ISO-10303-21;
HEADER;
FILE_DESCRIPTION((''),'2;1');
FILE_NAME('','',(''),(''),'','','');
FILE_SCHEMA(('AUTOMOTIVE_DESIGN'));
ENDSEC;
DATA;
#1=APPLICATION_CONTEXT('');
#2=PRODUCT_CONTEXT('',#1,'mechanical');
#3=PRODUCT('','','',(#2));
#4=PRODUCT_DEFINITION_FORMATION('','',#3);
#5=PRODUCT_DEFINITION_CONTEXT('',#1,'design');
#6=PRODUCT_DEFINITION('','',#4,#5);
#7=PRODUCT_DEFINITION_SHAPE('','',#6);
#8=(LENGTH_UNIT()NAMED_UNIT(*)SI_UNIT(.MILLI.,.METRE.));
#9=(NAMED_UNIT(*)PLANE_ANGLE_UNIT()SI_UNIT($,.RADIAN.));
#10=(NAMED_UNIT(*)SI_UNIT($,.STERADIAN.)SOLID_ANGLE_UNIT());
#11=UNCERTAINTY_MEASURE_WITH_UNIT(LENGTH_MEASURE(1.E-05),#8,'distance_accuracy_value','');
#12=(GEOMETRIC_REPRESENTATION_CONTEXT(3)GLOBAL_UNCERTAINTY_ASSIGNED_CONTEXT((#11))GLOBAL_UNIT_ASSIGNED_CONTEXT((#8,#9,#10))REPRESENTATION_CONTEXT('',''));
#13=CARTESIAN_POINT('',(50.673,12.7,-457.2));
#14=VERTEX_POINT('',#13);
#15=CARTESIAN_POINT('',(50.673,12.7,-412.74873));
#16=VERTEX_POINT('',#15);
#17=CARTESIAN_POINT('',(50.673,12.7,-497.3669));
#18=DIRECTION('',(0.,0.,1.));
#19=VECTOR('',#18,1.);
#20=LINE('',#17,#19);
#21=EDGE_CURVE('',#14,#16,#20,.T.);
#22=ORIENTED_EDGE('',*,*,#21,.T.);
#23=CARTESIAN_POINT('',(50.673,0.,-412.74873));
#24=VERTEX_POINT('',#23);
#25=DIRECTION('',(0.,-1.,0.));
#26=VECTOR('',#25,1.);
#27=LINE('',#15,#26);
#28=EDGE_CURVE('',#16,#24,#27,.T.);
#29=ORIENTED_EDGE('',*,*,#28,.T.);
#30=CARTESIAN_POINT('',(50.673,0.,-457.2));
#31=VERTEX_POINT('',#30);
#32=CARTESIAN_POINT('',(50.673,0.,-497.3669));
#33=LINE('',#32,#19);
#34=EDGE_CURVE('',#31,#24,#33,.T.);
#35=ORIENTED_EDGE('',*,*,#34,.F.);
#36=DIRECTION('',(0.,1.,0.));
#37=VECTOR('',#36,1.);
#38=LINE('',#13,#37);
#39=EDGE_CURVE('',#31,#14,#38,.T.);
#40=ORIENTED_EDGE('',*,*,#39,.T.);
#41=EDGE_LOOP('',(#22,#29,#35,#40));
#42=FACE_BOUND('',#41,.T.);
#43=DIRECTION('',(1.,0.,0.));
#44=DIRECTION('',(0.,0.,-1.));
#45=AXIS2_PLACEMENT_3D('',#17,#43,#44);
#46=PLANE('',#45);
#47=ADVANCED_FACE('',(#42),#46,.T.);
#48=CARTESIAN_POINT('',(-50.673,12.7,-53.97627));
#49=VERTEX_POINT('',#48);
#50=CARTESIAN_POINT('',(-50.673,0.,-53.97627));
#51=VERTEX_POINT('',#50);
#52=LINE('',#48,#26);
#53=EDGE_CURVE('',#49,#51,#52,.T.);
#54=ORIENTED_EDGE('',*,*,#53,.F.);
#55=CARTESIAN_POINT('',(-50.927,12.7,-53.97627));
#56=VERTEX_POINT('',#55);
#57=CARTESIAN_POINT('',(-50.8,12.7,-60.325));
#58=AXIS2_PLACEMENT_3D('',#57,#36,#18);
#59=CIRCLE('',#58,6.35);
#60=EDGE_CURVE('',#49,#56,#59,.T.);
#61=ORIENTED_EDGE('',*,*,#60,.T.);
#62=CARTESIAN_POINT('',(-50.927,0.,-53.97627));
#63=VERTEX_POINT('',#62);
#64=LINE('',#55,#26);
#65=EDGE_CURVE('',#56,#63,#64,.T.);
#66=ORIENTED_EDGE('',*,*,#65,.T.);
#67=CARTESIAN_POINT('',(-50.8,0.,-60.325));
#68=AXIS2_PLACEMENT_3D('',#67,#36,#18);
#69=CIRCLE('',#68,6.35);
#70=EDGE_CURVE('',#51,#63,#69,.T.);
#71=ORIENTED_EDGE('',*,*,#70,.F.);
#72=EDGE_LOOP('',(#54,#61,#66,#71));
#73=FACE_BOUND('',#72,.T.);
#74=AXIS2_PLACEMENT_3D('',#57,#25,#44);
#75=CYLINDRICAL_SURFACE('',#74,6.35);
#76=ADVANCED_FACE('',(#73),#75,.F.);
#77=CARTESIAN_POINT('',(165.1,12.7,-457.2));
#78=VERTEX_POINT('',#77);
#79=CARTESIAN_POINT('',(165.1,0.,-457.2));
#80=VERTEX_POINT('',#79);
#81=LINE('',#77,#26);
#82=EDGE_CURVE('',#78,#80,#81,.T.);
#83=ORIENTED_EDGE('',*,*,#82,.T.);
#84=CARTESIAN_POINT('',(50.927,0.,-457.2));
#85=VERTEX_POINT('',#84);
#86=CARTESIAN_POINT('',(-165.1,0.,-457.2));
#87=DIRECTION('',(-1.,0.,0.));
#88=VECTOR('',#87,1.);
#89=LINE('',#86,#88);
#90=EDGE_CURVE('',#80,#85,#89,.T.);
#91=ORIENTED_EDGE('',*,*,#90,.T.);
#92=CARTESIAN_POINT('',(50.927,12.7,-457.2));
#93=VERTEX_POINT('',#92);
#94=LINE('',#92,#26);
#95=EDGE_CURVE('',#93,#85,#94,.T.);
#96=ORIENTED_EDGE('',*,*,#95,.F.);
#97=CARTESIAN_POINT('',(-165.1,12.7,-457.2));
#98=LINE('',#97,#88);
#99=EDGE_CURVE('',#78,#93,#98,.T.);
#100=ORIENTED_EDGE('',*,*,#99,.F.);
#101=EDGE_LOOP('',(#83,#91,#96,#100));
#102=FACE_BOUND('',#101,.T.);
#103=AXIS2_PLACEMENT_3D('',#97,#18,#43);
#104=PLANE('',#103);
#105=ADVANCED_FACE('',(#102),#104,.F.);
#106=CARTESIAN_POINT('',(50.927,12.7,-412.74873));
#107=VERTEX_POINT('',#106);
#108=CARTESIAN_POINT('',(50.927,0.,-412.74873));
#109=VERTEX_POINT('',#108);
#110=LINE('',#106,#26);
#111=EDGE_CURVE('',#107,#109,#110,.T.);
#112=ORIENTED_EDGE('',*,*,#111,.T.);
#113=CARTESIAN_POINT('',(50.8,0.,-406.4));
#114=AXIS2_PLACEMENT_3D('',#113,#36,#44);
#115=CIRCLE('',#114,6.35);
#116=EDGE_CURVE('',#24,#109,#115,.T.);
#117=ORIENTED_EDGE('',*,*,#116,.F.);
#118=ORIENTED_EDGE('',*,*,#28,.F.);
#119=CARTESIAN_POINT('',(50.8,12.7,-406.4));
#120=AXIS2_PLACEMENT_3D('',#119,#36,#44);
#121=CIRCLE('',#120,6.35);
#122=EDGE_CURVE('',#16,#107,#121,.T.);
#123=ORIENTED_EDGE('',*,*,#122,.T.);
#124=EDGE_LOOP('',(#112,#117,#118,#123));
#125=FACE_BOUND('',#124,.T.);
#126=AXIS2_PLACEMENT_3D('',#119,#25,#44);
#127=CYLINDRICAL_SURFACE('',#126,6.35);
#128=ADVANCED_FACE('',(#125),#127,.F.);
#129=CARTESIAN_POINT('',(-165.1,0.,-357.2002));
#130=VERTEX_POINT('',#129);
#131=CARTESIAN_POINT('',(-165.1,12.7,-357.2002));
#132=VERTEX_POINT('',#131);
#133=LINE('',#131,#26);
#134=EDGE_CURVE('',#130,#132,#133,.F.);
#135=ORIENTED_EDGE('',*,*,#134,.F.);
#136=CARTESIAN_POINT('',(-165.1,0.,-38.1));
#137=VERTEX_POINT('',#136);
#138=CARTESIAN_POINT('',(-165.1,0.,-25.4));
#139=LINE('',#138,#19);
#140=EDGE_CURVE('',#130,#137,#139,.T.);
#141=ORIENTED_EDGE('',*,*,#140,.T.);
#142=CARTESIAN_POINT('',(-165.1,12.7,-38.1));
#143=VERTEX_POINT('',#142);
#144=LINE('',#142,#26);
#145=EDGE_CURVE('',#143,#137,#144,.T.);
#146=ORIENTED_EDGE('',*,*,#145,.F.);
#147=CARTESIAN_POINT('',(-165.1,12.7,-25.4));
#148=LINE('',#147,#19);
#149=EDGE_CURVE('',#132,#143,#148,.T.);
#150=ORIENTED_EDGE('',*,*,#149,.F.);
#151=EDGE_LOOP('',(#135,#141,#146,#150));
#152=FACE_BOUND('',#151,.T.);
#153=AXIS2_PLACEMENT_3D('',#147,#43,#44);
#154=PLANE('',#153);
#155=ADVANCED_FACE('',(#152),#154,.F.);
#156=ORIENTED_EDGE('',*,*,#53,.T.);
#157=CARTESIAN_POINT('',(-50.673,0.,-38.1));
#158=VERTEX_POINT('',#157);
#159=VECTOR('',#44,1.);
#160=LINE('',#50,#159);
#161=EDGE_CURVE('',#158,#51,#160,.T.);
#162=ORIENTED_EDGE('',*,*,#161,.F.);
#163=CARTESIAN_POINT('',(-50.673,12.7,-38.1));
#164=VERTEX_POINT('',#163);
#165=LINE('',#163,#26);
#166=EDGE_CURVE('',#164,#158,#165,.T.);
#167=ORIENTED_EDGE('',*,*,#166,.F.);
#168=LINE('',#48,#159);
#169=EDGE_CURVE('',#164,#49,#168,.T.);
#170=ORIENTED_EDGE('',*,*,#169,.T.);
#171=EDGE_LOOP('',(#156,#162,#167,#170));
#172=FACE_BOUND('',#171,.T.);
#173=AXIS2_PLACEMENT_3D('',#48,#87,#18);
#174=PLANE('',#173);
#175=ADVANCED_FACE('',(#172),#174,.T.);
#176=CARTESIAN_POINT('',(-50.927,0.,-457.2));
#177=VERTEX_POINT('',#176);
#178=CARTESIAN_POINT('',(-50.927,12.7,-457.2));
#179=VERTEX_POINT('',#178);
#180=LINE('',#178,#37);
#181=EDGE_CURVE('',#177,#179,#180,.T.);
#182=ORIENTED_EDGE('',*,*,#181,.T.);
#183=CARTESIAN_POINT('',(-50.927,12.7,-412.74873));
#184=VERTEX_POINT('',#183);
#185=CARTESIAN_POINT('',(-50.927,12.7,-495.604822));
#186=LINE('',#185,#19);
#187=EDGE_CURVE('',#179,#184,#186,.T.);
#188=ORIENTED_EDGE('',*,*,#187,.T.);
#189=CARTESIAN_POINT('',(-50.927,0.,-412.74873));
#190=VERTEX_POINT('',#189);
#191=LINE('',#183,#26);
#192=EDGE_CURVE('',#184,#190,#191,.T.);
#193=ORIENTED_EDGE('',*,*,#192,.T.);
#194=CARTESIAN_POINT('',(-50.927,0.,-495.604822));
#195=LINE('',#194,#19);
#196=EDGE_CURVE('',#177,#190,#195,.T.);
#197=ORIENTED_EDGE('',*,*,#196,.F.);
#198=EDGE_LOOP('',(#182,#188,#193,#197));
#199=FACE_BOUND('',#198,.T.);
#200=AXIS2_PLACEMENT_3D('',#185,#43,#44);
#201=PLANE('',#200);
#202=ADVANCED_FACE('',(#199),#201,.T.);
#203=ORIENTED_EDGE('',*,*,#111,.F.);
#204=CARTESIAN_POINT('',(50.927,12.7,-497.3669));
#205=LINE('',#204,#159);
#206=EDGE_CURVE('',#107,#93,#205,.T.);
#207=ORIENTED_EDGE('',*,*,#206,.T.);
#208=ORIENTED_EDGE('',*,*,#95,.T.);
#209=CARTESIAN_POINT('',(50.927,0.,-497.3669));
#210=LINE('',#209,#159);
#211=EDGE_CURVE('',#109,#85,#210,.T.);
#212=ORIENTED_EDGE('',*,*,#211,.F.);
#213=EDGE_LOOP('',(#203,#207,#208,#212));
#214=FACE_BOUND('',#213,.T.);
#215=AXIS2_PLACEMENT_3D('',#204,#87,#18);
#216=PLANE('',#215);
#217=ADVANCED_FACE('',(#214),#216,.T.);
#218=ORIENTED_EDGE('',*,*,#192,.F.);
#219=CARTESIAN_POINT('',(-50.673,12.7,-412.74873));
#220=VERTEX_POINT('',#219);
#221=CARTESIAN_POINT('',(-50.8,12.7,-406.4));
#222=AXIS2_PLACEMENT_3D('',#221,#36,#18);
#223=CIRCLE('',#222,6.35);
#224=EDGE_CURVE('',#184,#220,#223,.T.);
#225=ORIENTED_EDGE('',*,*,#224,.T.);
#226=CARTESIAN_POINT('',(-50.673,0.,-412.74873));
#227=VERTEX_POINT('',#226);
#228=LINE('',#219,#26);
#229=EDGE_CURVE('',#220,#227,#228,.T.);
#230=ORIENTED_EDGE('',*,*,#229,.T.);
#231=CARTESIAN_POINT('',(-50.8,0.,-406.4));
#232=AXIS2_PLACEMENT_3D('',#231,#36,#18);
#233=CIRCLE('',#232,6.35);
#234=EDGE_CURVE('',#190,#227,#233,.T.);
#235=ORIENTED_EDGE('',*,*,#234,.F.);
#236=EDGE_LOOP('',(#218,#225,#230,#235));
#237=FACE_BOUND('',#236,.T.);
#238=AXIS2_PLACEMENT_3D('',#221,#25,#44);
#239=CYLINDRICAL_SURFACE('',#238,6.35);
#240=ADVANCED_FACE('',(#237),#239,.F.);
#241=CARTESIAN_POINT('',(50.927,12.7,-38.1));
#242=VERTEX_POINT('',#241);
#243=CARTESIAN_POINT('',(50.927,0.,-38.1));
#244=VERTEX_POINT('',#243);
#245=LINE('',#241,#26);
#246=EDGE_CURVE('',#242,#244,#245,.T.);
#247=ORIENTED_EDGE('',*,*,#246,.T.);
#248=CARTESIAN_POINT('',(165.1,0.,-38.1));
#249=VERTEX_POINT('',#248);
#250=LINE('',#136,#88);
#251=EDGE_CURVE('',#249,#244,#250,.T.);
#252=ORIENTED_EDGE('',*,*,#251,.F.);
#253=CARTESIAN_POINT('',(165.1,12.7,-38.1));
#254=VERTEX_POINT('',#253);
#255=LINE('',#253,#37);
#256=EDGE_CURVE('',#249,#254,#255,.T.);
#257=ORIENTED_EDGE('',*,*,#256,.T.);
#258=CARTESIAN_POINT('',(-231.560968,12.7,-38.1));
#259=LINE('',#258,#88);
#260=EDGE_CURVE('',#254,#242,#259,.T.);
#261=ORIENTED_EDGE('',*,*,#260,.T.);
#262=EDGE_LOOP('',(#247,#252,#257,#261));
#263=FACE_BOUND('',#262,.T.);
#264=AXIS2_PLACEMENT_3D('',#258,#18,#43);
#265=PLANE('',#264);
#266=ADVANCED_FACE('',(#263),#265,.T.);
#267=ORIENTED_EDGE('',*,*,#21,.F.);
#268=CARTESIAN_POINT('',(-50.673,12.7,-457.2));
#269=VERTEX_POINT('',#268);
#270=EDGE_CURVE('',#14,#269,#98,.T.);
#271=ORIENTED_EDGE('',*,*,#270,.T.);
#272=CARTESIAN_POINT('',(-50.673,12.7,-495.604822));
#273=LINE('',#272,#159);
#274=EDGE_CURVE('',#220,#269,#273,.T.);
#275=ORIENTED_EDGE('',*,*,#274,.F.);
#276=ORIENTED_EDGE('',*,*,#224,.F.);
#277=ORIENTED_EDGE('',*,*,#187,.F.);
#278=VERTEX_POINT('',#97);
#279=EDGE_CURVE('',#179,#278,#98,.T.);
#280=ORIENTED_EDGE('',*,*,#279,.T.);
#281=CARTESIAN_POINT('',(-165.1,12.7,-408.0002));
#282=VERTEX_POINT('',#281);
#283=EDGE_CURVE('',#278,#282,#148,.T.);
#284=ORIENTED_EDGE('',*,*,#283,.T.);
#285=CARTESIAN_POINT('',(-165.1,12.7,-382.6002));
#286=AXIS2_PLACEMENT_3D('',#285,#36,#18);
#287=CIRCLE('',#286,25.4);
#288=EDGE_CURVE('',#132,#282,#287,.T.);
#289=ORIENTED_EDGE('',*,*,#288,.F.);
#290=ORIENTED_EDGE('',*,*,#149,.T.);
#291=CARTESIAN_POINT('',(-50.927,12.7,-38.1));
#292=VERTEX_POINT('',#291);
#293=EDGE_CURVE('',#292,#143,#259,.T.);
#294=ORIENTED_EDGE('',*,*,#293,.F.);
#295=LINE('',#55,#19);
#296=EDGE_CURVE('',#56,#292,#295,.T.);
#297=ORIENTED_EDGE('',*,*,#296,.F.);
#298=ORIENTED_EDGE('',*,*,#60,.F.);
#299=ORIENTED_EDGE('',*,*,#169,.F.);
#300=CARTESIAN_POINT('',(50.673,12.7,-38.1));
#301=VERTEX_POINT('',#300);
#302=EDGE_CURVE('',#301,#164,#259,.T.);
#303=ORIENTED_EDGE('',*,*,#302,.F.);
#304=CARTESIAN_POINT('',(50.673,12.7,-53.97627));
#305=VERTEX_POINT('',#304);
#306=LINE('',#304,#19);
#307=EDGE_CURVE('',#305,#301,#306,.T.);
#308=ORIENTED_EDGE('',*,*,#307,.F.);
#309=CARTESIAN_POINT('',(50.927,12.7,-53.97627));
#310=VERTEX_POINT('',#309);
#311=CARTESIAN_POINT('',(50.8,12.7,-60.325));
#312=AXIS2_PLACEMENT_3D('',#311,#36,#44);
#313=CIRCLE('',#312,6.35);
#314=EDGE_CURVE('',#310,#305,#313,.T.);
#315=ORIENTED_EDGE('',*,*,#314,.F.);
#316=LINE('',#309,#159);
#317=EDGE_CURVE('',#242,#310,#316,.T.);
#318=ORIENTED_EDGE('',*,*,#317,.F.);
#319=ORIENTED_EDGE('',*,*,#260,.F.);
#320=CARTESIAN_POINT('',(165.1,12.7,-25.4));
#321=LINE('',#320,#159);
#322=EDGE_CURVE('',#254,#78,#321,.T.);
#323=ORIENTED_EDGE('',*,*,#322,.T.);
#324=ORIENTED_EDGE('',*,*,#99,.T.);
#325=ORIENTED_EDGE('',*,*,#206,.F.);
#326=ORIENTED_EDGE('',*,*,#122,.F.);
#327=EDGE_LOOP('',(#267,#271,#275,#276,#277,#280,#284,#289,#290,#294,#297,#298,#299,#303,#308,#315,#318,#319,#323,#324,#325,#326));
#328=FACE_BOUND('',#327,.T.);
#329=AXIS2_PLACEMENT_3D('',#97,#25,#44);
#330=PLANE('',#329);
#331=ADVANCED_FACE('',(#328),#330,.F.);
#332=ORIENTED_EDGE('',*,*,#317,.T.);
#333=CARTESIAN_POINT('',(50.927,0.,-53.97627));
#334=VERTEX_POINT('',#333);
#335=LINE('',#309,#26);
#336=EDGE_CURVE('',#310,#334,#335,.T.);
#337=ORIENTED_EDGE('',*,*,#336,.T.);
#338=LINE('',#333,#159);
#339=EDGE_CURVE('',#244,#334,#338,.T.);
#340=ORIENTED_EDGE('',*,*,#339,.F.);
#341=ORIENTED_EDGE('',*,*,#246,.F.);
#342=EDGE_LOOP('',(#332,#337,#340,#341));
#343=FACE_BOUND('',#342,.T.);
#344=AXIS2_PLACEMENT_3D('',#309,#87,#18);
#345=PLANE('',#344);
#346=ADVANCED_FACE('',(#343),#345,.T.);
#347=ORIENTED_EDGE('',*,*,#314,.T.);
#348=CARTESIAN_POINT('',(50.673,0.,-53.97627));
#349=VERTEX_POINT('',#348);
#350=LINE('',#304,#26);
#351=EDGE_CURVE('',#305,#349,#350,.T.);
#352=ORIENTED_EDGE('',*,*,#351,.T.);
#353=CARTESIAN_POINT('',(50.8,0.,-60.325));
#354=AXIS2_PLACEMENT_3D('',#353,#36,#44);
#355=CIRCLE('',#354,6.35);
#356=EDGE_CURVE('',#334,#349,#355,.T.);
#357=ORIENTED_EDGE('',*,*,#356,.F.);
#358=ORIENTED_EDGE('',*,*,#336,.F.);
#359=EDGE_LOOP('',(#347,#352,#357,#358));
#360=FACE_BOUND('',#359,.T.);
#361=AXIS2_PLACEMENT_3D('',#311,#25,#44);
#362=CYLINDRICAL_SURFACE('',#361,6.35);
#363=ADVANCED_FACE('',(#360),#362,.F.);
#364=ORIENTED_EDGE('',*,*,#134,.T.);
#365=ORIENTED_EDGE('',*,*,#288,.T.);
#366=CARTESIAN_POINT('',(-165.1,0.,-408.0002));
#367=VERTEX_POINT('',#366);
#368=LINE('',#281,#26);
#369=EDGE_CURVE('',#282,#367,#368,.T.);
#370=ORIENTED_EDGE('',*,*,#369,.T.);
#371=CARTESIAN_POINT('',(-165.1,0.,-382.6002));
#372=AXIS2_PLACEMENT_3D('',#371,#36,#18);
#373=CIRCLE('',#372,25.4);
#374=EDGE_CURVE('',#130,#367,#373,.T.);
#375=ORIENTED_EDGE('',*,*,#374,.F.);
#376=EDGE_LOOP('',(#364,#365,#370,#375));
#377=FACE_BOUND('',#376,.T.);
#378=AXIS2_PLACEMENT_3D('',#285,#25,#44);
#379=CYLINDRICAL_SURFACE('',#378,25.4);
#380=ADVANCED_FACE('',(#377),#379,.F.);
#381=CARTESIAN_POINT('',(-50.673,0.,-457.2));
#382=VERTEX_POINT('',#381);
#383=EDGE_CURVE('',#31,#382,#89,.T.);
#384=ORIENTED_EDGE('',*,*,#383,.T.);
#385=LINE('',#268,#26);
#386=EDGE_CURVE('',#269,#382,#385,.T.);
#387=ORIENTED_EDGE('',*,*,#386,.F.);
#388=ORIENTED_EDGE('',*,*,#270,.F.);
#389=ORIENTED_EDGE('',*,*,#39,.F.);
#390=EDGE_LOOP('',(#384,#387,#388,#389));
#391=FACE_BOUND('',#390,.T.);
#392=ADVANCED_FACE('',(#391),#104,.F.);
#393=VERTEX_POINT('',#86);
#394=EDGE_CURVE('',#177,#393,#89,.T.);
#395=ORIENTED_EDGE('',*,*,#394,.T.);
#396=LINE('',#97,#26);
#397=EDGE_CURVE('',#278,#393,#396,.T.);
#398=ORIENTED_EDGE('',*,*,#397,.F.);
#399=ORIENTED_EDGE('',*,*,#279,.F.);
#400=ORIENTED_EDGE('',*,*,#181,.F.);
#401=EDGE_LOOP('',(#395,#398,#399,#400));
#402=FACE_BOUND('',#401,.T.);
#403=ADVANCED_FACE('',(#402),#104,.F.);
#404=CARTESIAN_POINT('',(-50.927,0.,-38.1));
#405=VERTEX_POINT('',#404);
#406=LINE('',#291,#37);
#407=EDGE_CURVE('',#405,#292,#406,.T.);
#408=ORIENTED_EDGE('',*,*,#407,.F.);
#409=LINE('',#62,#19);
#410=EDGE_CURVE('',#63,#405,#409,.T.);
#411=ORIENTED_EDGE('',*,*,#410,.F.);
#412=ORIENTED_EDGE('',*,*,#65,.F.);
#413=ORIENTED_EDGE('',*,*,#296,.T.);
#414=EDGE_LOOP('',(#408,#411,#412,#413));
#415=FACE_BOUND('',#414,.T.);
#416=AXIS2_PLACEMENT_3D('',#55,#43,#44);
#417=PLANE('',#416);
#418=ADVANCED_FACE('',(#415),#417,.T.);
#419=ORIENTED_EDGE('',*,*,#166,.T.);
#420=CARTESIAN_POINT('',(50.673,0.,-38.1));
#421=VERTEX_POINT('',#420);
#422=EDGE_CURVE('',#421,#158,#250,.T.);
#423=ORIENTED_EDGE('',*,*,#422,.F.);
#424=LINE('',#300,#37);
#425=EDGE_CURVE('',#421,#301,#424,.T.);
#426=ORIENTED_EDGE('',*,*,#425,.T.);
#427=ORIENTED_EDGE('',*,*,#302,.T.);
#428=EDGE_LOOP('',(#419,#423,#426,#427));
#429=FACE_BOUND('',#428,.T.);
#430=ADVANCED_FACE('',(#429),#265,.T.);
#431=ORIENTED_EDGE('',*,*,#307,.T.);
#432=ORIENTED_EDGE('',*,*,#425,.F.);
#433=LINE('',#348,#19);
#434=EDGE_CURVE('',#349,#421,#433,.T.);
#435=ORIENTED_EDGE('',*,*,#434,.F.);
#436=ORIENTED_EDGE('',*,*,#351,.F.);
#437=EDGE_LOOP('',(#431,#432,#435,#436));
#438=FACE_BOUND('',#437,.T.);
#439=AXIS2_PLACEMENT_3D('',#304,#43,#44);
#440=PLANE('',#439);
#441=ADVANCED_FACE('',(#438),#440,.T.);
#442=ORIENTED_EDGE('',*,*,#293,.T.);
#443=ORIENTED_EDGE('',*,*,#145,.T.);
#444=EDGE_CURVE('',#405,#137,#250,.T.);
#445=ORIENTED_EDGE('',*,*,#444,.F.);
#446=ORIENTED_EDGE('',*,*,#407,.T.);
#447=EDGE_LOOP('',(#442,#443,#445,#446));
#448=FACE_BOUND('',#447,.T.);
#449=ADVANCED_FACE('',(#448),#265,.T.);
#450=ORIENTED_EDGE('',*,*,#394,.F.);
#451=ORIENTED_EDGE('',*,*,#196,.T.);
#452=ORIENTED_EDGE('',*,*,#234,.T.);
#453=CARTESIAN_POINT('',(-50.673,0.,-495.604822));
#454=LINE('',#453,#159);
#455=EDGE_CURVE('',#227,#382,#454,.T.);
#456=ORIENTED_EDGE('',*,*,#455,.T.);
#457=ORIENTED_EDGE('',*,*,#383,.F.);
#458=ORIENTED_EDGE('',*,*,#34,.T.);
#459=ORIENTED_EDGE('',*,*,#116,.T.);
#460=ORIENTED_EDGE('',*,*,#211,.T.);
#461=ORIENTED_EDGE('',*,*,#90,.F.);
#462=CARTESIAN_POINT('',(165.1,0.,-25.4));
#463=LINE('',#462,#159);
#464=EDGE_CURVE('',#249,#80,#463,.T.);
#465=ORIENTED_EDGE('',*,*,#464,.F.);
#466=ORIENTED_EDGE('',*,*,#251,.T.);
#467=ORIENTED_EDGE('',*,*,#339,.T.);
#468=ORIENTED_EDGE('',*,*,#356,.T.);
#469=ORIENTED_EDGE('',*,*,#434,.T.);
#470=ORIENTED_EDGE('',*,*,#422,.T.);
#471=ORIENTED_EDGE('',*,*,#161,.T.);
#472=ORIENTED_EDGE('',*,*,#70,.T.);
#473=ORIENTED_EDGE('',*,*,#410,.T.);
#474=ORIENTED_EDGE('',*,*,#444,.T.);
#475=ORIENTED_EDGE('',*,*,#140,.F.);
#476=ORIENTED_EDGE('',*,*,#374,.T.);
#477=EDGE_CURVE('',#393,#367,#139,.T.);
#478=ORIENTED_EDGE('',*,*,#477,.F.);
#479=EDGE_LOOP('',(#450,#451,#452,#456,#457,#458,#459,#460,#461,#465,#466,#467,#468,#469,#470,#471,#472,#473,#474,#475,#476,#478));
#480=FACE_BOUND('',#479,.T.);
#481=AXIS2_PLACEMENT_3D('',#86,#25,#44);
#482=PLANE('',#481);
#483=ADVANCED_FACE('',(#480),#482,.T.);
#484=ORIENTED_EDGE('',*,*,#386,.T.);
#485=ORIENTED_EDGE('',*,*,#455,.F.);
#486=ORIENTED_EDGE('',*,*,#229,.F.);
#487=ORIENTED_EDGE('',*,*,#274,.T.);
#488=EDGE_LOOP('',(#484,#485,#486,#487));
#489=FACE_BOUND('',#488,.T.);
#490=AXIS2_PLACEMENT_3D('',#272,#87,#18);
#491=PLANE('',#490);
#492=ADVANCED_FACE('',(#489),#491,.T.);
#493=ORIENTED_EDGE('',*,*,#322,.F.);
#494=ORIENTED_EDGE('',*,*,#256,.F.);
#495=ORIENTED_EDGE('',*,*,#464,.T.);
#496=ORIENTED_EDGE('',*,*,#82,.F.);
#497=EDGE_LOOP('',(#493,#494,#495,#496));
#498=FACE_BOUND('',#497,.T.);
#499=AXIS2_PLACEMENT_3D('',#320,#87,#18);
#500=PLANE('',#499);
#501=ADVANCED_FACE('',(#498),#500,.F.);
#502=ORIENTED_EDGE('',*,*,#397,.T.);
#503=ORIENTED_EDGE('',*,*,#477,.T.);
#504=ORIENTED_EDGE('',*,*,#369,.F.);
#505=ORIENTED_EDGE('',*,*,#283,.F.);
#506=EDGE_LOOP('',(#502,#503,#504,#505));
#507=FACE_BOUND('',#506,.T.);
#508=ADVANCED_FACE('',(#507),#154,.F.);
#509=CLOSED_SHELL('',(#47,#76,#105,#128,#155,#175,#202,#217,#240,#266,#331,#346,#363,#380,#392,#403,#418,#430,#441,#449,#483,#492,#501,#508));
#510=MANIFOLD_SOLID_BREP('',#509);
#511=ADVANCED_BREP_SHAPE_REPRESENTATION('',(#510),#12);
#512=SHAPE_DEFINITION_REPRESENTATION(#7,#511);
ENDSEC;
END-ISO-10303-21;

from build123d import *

# Parameters (mm, degrees)
SKETCH2_W          = 330.2
SKETCH2_H          = 431.8
EXTRUDE2_DEPTH     = 12.7
SKETCH3_W          = 463.121935294
SKETCH3_H          = 86.735895098
CUT_EXTRUDE1_DEPTH = 487.262418865
SKETCH4_R          = 25.4
CUT_EXTRUDE2_DEPTH = 487.262418865
CUT_EXTRUDE3_DEPTH = 487.262418865


with BuildPart() as part:
    # Sketch2 → Extrude2 (new body)
    with BuildSketch(Plane(origin=(0, 0, 0), x_dir=(1, 0, 0), z_dir=(0, 1, 0))):
        with Locations((0, 241.3)):
            Rectangle(SKETCH2_W, SKETCH2_H)
    extrude(amount=EXTRUDE2_DEPTH)

    # Sketch3 → Cut-Extrude1 (cut, through all)
    with BuildSketch(Plane(origin=(0, 0, 0), x_dir=(1, 0, 0), z_dir=(0, 1, 0))):
        with Locations((0, -5.267947549)):
            Rectangle(SKETCH3_W, SKETCH3_H)
    extrude(amount=CUT_EXTRUDE1_DEPTH, mode=Mode.SUBTRACT)

    # Sketch4 → Cut-Extrude2 (cut, through all)
    with BuildSketch(Plane(origin=(0, 0, 0), x_dir=(1, 0, 0), z_dir=(0, 1, 0))):
        with Locations((-165.1, 382.6002)):
            Circle(SKETCH4_R)
    extrude(amount=CUT_EXTRUDE2_DEPTH, mode=Mode.SUBTRACT)

    # Sketch5 → Cut-Extrude3 (cut, through all)
    with BuildSketch(Plane(origin=(0, 0, 0), x_dir=(1, 0, 0), z_dir=(0, 1, 0))):
        with BuildLine():
            Line((-50.927, 495.604822125), (-50.673, 495.604822125))
            Line((-50.673, 495.604822125), (-50.673, 412.748729873))
            ThreePointArc((-50.673, 412.748729873), (-50.8, 400.05), (-50.927, 412.748729873))
            Line((-50.927, 412.748729873), (-50.927, 495.604822125))
        make_face()
        with BuildLine():
            Line((50.673, 497.366900496), (50.927, 497.366900496))
            Line((50.927, 497.366900496), (50.927, 412.748729873))
            ThreePointArc((50.927, 412.748729873), (50.8, 400.05), (50.673, 412.748729873))
            Line((50.673, 412.748729873), (50.673, 497.366900496))
        make_face()
        with BuildLine():
            Line((-50.673, 53.976270127), (-50.673, 30.44578085))
            Line((-50.673, 30.44578085), (-50.927, 30.44578085))
            Line((-50.927, 30.44578085), (-50.927, 53.976270127))
            ThreePointArc((-50.927, 53.976270127), (-50.8, 66.675), (-50.673, 53.976270127))
        make_face()
        with BuildLine():
            Line((50.927, 53.976270127), (50.927, 31.394028455))
            Line((50.927, 31.394028455), (50.673, 31.394028455))
            Line((50.673, 31.394028455), (50.673, 53.976270127))
            ThreePointArc((50.673, 53.976270127), (50.8, 66.675), (50.927, 53.976270127))
        make_face()
    extrude(amount=CUT_EXTRUDE3_DEPTH, mode=Mode.SUBTRACT)


solid = part.part
